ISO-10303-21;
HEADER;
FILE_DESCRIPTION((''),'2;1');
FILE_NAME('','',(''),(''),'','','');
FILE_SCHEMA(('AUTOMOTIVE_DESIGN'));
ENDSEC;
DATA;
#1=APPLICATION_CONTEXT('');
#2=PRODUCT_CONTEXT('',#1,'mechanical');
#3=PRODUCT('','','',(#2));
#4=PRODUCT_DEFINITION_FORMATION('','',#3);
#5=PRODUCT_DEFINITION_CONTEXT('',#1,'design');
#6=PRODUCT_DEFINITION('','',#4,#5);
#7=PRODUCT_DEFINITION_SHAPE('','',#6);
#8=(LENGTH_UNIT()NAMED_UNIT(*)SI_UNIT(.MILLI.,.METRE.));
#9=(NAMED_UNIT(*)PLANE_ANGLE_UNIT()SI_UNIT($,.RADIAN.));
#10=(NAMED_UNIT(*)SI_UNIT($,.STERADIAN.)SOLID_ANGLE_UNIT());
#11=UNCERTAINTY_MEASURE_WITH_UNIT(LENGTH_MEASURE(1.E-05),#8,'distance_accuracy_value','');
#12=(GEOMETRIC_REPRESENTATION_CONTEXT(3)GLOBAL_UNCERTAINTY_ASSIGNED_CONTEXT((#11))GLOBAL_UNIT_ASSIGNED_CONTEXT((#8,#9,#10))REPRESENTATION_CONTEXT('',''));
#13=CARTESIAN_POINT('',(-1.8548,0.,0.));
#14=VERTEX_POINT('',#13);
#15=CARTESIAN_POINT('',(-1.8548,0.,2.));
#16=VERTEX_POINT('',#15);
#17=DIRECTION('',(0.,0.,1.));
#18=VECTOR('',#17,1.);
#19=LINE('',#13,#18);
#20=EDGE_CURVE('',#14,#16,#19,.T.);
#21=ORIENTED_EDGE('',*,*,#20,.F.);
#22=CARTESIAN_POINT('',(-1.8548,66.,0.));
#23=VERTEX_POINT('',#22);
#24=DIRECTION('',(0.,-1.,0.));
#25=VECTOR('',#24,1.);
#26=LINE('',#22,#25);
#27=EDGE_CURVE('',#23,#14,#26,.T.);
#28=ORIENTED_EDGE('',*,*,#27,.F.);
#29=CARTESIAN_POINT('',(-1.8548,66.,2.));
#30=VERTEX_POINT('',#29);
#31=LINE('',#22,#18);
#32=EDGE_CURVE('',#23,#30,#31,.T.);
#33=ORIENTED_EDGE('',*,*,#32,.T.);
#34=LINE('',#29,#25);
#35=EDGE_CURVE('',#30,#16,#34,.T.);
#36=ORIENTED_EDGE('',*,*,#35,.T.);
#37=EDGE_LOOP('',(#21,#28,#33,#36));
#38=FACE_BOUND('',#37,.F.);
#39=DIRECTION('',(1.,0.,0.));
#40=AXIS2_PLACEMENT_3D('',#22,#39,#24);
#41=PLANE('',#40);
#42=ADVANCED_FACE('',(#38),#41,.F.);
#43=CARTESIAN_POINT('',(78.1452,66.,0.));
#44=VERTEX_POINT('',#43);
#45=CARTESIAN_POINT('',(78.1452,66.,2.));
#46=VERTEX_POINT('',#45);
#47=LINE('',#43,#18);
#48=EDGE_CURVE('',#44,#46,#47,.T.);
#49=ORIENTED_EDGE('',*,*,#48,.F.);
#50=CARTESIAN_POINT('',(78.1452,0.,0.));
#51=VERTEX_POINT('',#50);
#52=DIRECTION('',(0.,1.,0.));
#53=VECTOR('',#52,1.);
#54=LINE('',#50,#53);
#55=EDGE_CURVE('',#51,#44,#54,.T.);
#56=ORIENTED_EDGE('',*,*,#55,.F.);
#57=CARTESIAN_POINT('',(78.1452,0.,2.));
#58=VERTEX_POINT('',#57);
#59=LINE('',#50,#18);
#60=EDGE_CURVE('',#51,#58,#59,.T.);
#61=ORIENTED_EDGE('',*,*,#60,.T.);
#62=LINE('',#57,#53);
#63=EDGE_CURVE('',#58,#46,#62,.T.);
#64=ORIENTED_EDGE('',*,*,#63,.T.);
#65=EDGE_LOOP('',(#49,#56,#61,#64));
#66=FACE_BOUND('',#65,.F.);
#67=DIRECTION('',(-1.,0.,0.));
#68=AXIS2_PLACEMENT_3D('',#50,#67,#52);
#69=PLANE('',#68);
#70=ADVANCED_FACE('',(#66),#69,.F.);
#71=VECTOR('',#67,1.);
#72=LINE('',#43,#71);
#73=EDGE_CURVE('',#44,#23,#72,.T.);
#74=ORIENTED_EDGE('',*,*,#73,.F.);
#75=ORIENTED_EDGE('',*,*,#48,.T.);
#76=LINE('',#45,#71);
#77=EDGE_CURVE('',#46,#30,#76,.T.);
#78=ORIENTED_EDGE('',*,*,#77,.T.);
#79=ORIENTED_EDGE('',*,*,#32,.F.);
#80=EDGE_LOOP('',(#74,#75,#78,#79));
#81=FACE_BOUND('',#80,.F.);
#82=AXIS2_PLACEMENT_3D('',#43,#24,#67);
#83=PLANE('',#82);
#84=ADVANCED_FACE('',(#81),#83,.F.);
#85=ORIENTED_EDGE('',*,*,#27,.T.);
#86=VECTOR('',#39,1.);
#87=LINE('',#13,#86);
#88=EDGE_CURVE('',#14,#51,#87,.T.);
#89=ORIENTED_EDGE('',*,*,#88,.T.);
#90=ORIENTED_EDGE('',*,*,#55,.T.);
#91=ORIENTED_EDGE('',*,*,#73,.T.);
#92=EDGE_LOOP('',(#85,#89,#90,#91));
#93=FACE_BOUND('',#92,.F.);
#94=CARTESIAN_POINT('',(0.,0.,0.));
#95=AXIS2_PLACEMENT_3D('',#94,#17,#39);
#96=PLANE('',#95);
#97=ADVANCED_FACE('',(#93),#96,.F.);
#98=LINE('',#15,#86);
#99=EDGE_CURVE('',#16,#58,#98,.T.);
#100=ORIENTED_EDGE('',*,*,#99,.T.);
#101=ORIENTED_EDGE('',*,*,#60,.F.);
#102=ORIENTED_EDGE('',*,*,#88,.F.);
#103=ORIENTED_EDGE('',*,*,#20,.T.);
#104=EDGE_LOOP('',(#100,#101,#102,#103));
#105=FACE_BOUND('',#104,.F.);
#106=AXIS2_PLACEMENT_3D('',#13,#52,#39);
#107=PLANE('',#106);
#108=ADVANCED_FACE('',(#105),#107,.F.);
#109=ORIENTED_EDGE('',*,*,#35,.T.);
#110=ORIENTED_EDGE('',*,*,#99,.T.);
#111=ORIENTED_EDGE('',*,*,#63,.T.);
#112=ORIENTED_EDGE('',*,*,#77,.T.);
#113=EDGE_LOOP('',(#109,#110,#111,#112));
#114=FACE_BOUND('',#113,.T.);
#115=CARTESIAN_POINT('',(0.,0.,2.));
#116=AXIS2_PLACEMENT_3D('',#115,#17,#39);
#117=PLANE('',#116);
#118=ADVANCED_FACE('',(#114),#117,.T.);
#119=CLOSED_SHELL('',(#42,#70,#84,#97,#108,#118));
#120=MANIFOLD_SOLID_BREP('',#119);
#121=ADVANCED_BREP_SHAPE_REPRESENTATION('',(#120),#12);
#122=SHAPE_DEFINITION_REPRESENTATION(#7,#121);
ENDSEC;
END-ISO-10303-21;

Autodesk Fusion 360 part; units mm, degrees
sketch "Sketch1" plane through (0, 0, 0) normal (0, 0, 1) x (1, 0, 0)
  line L0 (-1.8548, 0) -> (78.1452, 0)
  line L1 (78.1452, 0) -> (78.1452, 66)
  line L2 (78.1452, 66) -> (-1.8548, 66)
  line L3 (-1.8548, 66) -> (-1.8548, 0)
  dimension "d1" = 80
  dimension "d2" = 66
extrude "Extrude1" add sketch "Sketch1" along normal blind 2
